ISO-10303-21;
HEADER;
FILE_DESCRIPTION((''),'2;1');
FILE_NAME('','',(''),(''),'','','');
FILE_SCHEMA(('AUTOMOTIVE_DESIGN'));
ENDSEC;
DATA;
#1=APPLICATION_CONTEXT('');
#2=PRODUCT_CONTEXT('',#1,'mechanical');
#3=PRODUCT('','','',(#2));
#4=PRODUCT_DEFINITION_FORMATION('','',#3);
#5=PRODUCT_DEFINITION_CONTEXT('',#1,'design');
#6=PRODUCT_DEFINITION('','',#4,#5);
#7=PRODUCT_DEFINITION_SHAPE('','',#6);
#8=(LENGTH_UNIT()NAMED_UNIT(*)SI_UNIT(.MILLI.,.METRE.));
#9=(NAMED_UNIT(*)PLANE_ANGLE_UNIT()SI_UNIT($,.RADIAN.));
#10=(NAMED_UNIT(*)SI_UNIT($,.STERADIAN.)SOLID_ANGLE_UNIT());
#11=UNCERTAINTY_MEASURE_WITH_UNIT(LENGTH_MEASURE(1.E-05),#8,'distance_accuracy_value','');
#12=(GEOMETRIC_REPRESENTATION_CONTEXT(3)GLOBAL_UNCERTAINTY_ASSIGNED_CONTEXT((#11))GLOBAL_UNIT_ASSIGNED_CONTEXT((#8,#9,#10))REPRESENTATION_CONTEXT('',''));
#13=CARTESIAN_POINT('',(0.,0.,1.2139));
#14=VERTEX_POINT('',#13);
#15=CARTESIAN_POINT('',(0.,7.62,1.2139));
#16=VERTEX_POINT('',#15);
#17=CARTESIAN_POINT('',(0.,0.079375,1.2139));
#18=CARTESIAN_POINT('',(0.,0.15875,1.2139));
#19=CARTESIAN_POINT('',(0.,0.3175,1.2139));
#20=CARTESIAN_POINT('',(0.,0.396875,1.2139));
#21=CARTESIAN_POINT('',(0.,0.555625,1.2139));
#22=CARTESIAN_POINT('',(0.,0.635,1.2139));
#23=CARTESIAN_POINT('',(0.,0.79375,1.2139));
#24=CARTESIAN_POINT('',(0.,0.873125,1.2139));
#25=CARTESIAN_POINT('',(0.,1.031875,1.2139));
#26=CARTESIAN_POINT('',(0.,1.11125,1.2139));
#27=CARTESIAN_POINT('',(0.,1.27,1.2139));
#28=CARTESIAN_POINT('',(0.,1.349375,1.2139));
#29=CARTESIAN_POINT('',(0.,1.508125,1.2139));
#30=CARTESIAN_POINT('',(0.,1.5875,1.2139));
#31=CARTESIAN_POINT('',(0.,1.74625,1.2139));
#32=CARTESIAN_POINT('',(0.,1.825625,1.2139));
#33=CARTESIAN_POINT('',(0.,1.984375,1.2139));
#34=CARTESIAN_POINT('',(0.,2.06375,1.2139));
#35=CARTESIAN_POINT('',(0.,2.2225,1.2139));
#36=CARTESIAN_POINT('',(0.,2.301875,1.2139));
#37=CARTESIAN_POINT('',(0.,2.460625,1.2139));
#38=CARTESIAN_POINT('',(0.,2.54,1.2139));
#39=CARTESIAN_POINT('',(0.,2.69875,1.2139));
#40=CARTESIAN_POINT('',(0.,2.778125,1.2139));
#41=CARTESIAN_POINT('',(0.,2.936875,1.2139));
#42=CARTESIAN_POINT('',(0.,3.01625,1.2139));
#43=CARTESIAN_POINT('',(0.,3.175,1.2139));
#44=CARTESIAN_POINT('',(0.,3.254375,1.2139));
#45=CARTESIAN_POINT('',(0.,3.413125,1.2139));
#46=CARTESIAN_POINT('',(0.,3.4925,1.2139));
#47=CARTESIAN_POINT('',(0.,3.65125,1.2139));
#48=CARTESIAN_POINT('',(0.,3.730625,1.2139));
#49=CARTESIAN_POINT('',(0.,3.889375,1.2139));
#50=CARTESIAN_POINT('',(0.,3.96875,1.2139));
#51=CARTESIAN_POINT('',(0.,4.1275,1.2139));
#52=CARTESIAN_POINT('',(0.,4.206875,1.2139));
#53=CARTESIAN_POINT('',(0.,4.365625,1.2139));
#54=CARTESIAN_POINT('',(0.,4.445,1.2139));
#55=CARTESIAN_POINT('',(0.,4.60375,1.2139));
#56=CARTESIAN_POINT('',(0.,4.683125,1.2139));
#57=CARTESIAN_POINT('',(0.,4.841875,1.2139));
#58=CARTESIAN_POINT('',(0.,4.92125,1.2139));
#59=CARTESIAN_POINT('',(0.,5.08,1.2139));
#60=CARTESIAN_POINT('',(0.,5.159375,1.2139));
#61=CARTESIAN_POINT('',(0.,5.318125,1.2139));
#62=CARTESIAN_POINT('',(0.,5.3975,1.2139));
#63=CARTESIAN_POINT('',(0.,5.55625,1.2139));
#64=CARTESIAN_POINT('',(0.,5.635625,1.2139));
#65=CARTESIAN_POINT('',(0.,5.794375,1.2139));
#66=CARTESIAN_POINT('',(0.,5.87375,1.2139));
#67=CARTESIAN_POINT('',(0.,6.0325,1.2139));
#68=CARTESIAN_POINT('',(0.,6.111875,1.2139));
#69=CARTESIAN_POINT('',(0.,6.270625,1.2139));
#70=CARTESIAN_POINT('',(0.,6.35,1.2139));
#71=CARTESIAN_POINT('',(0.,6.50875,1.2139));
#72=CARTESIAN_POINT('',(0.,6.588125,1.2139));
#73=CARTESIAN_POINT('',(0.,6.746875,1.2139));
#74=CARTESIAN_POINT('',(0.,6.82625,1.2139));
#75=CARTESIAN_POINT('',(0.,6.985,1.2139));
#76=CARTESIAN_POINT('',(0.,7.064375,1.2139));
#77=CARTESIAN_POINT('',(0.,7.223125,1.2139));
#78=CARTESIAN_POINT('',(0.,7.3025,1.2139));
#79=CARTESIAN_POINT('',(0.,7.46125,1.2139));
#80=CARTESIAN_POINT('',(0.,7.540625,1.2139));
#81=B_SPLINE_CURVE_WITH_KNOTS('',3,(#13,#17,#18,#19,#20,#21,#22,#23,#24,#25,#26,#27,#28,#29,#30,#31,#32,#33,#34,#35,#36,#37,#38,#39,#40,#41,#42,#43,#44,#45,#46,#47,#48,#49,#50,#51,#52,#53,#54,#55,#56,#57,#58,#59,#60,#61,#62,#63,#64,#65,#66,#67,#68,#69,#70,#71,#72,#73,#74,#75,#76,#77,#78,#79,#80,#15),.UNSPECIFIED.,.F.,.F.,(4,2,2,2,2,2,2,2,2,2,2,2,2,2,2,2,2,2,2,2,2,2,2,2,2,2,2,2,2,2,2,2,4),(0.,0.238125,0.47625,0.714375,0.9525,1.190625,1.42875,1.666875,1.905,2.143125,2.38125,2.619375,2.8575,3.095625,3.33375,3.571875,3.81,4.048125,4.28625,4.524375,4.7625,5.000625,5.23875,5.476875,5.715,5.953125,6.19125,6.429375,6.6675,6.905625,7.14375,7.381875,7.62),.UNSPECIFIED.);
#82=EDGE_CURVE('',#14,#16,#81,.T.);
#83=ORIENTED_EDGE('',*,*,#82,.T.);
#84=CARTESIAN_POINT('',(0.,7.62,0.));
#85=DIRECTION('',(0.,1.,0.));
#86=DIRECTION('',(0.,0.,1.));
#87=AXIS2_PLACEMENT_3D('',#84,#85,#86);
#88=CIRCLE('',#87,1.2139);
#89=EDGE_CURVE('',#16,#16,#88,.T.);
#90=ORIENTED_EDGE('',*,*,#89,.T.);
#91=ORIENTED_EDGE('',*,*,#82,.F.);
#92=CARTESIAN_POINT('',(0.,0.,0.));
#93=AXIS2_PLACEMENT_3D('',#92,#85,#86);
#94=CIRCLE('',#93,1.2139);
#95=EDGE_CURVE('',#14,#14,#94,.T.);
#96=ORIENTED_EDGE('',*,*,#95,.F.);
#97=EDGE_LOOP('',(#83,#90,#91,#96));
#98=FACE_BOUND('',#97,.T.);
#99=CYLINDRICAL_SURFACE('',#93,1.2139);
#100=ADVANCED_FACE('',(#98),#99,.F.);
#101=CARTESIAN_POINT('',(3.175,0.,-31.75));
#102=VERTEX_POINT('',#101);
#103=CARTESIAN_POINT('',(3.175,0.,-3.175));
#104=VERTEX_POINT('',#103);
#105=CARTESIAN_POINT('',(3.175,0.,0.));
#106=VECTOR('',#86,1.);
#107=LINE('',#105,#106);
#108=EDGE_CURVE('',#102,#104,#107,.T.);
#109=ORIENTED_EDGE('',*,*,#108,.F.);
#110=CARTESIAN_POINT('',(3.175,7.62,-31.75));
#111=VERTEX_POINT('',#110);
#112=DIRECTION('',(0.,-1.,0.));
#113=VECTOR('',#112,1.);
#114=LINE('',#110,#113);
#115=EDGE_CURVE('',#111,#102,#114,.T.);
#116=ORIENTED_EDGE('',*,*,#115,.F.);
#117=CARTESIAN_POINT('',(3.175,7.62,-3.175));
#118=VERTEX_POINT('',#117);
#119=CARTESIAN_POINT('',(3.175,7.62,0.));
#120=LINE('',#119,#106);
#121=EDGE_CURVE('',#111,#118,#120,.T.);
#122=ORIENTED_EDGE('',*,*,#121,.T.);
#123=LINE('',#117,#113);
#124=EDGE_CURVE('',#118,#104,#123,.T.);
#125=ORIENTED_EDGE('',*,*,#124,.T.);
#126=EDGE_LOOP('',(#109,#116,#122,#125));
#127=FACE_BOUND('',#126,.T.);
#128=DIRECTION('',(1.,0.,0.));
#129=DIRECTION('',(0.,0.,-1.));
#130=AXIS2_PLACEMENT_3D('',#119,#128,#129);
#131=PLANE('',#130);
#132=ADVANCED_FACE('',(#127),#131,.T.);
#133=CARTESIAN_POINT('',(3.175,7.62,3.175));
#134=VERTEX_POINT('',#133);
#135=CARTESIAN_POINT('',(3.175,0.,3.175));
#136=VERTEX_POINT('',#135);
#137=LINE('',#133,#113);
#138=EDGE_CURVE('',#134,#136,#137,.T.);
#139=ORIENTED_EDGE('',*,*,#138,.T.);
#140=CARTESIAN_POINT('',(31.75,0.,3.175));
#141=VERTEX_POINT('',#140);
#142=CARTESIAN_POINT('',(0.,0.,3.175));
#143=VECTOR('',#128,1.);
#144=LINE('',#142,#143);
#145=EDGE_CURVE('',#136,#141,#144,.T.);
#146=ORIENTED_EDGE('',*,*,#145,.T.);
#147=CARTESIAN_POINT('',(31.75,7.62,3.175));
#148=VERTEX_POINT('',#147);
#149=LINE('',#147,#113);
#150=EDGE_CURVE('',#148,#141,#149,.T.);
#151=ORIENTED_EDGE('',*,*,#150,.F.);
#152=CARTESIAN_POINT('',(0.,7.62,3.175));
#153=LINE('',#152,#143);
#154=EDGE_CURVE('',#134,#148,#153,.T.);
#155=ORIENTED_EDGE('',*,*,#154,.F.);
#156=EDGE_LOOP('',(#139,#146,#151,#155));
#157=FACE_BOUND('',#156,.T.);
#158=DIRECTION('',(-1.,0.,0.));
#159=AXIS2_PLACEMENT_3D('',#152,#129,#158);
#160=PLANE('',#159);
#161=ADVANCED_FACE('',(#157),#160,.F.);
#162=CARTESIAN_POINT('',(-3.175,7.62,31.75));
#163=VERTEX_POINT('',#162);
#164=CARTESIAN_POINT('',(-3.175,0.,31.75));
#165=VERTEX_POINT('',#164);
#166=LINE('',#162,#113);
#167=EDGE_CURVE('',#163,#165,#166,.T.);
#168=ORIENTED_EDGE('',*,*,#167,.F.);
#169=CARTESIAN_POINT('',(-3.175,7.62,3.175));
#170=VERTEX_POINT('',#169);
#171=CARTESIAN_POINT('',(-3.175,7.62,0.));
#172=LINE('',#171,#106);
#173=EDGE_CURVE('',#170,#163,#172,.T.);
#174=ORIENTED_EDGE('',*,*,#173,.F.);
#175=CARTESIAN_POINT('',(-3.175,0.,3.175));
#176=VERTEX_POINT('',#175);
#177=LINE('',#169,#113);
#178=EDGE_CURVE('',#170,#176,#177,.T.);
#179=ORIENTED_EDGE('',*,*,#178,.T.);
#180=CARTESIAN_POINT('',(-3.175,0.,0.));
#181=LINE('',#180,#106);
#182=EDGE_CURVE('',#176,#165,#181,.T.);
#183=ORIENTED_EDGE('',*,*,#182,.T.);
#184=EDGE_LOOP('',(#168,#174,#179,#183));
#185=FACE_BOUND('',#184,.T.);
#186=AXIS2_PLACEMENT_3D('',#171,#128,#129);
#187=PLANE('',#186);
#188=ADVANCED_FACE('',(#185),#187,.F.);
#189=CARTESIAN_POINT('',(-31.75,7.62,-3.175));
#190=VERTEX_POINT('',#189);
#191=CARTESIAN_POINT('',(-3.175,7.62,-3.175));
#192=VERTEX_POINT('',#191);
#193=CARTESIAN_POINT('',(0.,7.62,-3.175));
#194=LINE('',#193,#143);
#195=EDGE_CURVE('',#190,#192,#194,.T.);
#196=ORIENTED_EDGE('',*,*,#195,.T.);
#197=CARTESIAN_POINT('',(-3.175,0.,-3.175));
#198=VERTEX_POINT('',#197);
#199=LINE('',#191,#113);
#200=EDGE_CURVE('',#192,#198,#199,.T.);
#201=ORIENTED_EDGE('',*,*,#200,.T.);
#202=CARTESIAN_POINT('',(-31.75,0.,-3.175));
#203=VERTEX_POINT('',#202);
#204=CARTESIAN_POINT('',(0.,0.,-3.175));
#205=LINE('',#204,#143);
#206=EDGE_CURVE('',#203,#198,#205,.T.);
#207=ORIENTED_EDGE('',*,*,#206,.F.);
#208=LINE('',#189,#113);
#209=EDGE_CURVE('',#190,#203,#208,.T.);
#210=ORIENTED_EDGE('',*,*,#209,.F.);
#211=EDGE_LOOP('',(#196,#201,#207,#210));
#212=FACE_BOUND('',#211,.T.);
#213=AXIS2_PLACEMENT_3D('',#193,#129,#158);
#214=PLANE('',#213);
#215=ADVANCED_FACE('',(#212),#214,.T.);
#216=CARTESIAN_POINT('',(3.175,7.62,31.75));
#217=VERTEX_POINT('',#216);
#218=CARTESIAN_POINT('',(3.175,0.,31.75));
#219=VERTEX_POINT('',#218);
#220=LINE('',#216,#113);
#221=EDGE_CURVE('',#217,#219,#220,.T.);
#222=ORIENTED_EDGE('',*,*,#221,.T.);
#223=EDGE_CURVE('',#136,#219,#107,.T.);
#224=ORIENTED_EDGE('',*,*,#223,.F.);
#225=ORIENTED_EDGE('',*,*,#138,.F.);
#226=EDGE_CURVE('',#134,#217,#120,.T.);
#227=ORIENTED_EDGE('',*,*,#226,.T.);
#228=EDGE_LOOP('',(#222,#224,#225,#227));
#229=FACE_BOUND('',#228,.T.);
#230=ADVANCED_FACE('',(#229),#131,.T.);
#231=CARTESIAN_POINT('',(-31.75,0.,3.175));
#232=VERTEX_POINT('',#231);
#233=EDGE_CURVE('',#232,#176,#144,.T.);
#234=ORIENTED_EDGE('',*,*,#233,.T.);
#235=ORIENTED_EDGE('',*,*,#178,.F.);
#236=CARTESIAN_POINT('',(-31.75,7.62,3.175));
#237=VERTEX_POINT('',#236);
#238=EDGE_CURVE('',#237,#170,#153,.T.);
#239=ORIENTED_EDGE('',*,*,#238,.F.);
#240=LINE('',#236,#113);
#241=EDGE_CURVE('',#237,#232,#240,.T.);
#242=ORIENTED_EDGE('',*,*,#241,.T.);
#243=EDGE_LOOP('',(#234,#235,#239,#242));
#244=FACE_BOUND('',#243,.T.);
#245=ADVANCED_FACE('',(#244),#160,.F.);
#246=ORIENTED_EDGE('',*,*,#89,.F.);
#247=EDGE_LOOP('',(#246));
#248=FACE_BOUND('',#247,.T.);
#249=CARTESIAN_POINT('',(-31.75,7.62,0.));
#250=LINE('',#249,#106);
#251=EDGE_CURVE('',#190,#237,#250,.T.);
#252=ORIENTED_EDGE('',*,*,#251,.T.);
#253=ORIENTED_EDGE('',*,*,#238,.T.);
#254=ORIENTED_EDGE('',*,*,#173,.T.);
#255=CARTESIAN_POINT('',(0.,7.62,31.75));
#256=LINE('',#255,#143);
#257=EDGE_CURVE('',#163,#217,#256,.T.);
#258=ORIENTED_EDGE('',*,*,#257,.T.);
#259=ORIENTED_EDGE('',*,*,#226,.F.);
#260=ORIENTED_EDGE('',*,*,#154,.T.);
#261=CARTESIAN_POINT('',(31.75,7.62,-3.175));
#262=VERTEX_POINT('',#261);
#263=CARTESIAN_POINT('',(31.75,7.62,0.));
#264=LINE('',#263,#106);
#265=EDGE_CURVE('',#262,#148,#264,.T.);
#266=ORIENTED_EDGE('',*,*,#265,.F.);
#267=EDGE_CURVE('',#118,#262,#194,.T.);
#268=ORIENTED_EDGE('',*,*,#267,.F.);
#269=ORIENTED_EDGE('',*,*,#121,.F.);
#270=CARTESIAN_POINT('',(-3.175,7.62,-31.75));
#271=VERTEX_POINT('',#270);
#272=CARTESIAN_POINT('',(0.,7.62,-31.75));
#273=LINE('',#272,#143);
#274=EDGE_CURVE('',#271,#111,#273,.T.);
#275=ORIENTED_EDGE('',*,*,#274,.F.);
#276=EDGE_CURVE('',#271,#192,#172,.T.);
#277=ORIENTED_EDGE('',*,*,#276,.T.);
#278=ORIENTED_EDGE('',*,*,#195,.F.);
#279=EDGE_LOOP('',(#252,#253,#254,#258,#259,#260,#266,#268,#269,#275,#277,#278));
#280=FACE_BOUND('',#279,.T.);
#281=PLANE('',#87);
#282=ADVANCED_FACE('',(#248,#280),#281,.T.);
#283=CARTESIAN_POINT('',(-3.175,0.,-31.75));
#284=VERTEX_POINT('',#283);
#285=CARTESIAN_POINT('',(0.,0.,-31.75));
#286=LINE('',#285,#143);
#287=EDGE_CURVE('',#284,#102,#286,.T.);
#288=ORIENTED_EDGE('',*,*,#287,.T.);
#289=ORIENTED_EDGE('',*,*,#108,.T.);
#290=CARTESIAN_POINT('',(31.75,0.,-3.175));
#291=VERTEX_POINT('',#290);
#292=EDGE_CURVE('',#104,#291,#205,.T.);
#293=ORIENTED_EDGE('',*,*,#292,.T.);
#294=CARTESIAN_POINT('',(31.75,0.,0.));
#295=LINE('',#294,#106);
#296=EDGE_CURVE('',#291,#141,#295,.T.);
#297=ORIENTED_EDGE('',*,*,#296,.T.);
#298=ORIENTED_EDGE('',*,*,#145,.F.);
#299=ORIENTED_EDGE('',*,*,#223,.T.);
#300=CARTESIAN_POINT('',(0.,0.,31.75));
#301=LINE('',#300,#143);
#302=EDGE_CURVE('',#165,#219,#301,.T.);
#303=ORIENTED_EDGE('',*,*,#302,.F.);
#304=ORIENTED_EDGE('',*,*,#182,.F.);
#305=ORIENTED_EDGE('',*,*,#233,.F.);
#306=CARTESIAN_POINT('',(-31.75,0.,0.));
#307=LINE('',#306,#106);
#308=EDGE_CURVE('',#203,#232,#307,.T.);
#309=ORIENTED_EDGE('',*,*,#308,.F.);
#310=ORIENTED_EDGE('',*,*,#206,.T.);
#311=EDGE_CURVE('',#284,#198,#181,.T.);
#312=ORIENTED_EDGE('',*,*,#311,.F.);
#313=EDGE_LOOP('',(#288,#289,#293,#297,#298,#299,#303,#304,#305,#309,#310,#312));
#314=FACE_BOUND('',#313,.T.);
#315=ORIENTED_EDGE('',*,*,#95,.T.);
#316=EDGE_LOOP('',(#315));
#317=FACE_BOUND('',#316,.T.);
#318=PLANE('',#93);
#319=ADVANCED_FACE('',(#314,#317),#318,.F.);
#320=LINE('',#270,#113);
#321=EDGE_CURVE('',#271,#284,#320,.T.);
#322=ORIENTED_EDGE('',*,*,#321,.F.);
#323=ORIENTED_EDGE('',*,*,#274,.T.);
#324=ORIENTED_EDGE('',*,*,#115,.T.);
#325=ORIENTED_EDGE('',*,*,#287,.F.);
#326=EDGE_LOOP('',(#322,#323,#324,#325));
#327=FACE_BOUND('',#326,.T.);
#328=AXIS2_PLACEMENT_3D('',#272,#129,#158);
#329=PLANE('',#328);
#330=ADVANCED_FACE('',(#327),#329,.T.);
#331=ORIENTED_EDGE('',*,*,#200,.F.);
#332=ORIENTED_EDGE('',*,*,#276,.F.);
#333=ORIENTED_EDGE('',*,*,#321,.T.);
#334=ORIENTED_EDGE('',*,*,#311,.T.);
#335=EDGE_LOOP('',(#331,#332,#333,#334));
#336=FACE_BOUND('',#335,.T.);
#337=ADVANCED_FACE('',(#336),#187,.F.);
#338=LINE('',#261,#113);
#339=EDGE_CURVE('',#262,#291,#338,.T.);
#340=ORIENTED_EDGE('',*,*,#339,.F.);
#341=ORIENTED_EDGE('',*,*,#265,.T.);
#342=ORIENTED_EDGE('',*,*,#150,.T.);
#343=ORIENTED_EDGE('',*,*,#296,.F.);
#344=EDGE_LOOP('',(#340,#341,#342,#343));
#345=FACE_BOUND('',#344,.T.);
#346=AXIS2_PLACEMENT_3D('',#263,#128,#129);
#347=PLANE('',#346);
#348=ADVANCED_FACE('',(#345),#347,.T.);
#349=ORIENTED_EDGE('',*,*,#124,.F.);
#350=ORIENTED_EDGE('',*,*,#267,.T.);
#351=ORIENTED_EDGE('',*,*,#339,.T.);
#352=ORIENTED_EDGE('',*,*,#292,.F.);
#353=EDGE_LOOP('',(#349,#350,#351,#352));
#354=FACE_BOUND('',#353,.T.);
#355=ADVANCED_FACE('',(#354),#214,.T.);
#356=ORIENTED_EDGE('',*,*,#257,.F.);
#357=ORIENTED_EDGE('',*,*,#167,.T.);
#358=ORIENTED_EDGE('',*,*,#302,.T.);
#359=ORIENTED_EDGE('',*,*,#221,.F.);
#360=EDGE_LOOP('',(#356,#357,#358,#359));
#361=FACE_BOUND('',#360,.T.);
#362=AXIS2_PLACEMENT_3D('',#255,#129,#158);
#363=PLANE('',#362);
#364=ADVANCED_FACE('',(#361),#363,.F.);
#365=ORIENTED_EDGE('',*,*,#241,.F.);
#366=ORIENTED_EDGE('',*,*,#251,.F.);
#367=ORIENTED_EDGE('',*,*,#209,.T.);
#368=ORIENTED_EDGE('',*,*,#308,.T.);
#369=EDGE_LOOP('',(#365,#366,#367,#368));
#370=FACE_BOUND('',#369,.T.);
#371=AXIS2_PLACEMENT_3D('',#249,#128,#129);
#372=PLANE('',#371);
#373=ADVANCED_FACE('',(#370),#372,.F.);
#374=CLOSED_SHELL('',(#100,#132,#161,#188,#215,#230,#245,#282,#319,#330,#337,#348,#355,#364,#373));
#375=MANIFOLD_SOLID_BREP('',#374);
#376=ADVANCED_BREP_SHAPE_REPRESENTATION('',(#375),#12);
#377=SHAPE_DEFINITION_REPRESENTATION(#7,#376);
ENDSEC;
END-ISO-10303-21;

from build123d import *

# Parameters (mm, degrees)
SKETCH1_W           = 6.35
SKETCH1_H           = 28.575
SKETCH1_H_2         = 6.35
SKETCH1_W_2         = 28.575
BOSS_EXTRUDE1_DEPTH = 7.62
SKETCH2_R           = 1.213900036
CUT_EXTRUDE1_DEPTH  = 46.543269536


with BuildPart() as part:
    # Sketch1 → Boss-Extrude1 (new body)
    with BuildSketch(Plane(origin=(0, 0, 0), x_dir=(1, 0, 0), z_dir=(0, 1, 0))):
        with Locations((0, 17.4625)):
            Rectangle(SKETCH1_W, SKETCH1_H)
        Rectangle(SKETCH1_W, SKETCH1_H_2)
        with Locations((0, -17.4625)):
            Rectangle(SKETCH1_W, SKETCH1_H)
        with Locations((17.4625, 0)):
            Rectangle(SKETCH1_W_2, SKETCH1_H_2)
        with Locations((-17.4625, 0)):
            Rectangle(SKETCH1_W_2, SKETCH1_H_2)
    extrude(amount=BOSS_EXTRUDE1_DEPTH)

    # Sketch2 → Cut-Extrude1 (cut, through all)
    with BuildSketch(Plane(origin=(0, 7.62, 0), x_dir=(1, 0, 0), z_dir=(0, 1, 0))):
        with Locations(Location((0, 0, 0), (0, 0, 270))):
            Circle(SKETCH2_R)
    extrude(amount=-CUT_EXTRUDE1_DEPTH, mode=Mode.SUBTRACT)


solid = part.part
